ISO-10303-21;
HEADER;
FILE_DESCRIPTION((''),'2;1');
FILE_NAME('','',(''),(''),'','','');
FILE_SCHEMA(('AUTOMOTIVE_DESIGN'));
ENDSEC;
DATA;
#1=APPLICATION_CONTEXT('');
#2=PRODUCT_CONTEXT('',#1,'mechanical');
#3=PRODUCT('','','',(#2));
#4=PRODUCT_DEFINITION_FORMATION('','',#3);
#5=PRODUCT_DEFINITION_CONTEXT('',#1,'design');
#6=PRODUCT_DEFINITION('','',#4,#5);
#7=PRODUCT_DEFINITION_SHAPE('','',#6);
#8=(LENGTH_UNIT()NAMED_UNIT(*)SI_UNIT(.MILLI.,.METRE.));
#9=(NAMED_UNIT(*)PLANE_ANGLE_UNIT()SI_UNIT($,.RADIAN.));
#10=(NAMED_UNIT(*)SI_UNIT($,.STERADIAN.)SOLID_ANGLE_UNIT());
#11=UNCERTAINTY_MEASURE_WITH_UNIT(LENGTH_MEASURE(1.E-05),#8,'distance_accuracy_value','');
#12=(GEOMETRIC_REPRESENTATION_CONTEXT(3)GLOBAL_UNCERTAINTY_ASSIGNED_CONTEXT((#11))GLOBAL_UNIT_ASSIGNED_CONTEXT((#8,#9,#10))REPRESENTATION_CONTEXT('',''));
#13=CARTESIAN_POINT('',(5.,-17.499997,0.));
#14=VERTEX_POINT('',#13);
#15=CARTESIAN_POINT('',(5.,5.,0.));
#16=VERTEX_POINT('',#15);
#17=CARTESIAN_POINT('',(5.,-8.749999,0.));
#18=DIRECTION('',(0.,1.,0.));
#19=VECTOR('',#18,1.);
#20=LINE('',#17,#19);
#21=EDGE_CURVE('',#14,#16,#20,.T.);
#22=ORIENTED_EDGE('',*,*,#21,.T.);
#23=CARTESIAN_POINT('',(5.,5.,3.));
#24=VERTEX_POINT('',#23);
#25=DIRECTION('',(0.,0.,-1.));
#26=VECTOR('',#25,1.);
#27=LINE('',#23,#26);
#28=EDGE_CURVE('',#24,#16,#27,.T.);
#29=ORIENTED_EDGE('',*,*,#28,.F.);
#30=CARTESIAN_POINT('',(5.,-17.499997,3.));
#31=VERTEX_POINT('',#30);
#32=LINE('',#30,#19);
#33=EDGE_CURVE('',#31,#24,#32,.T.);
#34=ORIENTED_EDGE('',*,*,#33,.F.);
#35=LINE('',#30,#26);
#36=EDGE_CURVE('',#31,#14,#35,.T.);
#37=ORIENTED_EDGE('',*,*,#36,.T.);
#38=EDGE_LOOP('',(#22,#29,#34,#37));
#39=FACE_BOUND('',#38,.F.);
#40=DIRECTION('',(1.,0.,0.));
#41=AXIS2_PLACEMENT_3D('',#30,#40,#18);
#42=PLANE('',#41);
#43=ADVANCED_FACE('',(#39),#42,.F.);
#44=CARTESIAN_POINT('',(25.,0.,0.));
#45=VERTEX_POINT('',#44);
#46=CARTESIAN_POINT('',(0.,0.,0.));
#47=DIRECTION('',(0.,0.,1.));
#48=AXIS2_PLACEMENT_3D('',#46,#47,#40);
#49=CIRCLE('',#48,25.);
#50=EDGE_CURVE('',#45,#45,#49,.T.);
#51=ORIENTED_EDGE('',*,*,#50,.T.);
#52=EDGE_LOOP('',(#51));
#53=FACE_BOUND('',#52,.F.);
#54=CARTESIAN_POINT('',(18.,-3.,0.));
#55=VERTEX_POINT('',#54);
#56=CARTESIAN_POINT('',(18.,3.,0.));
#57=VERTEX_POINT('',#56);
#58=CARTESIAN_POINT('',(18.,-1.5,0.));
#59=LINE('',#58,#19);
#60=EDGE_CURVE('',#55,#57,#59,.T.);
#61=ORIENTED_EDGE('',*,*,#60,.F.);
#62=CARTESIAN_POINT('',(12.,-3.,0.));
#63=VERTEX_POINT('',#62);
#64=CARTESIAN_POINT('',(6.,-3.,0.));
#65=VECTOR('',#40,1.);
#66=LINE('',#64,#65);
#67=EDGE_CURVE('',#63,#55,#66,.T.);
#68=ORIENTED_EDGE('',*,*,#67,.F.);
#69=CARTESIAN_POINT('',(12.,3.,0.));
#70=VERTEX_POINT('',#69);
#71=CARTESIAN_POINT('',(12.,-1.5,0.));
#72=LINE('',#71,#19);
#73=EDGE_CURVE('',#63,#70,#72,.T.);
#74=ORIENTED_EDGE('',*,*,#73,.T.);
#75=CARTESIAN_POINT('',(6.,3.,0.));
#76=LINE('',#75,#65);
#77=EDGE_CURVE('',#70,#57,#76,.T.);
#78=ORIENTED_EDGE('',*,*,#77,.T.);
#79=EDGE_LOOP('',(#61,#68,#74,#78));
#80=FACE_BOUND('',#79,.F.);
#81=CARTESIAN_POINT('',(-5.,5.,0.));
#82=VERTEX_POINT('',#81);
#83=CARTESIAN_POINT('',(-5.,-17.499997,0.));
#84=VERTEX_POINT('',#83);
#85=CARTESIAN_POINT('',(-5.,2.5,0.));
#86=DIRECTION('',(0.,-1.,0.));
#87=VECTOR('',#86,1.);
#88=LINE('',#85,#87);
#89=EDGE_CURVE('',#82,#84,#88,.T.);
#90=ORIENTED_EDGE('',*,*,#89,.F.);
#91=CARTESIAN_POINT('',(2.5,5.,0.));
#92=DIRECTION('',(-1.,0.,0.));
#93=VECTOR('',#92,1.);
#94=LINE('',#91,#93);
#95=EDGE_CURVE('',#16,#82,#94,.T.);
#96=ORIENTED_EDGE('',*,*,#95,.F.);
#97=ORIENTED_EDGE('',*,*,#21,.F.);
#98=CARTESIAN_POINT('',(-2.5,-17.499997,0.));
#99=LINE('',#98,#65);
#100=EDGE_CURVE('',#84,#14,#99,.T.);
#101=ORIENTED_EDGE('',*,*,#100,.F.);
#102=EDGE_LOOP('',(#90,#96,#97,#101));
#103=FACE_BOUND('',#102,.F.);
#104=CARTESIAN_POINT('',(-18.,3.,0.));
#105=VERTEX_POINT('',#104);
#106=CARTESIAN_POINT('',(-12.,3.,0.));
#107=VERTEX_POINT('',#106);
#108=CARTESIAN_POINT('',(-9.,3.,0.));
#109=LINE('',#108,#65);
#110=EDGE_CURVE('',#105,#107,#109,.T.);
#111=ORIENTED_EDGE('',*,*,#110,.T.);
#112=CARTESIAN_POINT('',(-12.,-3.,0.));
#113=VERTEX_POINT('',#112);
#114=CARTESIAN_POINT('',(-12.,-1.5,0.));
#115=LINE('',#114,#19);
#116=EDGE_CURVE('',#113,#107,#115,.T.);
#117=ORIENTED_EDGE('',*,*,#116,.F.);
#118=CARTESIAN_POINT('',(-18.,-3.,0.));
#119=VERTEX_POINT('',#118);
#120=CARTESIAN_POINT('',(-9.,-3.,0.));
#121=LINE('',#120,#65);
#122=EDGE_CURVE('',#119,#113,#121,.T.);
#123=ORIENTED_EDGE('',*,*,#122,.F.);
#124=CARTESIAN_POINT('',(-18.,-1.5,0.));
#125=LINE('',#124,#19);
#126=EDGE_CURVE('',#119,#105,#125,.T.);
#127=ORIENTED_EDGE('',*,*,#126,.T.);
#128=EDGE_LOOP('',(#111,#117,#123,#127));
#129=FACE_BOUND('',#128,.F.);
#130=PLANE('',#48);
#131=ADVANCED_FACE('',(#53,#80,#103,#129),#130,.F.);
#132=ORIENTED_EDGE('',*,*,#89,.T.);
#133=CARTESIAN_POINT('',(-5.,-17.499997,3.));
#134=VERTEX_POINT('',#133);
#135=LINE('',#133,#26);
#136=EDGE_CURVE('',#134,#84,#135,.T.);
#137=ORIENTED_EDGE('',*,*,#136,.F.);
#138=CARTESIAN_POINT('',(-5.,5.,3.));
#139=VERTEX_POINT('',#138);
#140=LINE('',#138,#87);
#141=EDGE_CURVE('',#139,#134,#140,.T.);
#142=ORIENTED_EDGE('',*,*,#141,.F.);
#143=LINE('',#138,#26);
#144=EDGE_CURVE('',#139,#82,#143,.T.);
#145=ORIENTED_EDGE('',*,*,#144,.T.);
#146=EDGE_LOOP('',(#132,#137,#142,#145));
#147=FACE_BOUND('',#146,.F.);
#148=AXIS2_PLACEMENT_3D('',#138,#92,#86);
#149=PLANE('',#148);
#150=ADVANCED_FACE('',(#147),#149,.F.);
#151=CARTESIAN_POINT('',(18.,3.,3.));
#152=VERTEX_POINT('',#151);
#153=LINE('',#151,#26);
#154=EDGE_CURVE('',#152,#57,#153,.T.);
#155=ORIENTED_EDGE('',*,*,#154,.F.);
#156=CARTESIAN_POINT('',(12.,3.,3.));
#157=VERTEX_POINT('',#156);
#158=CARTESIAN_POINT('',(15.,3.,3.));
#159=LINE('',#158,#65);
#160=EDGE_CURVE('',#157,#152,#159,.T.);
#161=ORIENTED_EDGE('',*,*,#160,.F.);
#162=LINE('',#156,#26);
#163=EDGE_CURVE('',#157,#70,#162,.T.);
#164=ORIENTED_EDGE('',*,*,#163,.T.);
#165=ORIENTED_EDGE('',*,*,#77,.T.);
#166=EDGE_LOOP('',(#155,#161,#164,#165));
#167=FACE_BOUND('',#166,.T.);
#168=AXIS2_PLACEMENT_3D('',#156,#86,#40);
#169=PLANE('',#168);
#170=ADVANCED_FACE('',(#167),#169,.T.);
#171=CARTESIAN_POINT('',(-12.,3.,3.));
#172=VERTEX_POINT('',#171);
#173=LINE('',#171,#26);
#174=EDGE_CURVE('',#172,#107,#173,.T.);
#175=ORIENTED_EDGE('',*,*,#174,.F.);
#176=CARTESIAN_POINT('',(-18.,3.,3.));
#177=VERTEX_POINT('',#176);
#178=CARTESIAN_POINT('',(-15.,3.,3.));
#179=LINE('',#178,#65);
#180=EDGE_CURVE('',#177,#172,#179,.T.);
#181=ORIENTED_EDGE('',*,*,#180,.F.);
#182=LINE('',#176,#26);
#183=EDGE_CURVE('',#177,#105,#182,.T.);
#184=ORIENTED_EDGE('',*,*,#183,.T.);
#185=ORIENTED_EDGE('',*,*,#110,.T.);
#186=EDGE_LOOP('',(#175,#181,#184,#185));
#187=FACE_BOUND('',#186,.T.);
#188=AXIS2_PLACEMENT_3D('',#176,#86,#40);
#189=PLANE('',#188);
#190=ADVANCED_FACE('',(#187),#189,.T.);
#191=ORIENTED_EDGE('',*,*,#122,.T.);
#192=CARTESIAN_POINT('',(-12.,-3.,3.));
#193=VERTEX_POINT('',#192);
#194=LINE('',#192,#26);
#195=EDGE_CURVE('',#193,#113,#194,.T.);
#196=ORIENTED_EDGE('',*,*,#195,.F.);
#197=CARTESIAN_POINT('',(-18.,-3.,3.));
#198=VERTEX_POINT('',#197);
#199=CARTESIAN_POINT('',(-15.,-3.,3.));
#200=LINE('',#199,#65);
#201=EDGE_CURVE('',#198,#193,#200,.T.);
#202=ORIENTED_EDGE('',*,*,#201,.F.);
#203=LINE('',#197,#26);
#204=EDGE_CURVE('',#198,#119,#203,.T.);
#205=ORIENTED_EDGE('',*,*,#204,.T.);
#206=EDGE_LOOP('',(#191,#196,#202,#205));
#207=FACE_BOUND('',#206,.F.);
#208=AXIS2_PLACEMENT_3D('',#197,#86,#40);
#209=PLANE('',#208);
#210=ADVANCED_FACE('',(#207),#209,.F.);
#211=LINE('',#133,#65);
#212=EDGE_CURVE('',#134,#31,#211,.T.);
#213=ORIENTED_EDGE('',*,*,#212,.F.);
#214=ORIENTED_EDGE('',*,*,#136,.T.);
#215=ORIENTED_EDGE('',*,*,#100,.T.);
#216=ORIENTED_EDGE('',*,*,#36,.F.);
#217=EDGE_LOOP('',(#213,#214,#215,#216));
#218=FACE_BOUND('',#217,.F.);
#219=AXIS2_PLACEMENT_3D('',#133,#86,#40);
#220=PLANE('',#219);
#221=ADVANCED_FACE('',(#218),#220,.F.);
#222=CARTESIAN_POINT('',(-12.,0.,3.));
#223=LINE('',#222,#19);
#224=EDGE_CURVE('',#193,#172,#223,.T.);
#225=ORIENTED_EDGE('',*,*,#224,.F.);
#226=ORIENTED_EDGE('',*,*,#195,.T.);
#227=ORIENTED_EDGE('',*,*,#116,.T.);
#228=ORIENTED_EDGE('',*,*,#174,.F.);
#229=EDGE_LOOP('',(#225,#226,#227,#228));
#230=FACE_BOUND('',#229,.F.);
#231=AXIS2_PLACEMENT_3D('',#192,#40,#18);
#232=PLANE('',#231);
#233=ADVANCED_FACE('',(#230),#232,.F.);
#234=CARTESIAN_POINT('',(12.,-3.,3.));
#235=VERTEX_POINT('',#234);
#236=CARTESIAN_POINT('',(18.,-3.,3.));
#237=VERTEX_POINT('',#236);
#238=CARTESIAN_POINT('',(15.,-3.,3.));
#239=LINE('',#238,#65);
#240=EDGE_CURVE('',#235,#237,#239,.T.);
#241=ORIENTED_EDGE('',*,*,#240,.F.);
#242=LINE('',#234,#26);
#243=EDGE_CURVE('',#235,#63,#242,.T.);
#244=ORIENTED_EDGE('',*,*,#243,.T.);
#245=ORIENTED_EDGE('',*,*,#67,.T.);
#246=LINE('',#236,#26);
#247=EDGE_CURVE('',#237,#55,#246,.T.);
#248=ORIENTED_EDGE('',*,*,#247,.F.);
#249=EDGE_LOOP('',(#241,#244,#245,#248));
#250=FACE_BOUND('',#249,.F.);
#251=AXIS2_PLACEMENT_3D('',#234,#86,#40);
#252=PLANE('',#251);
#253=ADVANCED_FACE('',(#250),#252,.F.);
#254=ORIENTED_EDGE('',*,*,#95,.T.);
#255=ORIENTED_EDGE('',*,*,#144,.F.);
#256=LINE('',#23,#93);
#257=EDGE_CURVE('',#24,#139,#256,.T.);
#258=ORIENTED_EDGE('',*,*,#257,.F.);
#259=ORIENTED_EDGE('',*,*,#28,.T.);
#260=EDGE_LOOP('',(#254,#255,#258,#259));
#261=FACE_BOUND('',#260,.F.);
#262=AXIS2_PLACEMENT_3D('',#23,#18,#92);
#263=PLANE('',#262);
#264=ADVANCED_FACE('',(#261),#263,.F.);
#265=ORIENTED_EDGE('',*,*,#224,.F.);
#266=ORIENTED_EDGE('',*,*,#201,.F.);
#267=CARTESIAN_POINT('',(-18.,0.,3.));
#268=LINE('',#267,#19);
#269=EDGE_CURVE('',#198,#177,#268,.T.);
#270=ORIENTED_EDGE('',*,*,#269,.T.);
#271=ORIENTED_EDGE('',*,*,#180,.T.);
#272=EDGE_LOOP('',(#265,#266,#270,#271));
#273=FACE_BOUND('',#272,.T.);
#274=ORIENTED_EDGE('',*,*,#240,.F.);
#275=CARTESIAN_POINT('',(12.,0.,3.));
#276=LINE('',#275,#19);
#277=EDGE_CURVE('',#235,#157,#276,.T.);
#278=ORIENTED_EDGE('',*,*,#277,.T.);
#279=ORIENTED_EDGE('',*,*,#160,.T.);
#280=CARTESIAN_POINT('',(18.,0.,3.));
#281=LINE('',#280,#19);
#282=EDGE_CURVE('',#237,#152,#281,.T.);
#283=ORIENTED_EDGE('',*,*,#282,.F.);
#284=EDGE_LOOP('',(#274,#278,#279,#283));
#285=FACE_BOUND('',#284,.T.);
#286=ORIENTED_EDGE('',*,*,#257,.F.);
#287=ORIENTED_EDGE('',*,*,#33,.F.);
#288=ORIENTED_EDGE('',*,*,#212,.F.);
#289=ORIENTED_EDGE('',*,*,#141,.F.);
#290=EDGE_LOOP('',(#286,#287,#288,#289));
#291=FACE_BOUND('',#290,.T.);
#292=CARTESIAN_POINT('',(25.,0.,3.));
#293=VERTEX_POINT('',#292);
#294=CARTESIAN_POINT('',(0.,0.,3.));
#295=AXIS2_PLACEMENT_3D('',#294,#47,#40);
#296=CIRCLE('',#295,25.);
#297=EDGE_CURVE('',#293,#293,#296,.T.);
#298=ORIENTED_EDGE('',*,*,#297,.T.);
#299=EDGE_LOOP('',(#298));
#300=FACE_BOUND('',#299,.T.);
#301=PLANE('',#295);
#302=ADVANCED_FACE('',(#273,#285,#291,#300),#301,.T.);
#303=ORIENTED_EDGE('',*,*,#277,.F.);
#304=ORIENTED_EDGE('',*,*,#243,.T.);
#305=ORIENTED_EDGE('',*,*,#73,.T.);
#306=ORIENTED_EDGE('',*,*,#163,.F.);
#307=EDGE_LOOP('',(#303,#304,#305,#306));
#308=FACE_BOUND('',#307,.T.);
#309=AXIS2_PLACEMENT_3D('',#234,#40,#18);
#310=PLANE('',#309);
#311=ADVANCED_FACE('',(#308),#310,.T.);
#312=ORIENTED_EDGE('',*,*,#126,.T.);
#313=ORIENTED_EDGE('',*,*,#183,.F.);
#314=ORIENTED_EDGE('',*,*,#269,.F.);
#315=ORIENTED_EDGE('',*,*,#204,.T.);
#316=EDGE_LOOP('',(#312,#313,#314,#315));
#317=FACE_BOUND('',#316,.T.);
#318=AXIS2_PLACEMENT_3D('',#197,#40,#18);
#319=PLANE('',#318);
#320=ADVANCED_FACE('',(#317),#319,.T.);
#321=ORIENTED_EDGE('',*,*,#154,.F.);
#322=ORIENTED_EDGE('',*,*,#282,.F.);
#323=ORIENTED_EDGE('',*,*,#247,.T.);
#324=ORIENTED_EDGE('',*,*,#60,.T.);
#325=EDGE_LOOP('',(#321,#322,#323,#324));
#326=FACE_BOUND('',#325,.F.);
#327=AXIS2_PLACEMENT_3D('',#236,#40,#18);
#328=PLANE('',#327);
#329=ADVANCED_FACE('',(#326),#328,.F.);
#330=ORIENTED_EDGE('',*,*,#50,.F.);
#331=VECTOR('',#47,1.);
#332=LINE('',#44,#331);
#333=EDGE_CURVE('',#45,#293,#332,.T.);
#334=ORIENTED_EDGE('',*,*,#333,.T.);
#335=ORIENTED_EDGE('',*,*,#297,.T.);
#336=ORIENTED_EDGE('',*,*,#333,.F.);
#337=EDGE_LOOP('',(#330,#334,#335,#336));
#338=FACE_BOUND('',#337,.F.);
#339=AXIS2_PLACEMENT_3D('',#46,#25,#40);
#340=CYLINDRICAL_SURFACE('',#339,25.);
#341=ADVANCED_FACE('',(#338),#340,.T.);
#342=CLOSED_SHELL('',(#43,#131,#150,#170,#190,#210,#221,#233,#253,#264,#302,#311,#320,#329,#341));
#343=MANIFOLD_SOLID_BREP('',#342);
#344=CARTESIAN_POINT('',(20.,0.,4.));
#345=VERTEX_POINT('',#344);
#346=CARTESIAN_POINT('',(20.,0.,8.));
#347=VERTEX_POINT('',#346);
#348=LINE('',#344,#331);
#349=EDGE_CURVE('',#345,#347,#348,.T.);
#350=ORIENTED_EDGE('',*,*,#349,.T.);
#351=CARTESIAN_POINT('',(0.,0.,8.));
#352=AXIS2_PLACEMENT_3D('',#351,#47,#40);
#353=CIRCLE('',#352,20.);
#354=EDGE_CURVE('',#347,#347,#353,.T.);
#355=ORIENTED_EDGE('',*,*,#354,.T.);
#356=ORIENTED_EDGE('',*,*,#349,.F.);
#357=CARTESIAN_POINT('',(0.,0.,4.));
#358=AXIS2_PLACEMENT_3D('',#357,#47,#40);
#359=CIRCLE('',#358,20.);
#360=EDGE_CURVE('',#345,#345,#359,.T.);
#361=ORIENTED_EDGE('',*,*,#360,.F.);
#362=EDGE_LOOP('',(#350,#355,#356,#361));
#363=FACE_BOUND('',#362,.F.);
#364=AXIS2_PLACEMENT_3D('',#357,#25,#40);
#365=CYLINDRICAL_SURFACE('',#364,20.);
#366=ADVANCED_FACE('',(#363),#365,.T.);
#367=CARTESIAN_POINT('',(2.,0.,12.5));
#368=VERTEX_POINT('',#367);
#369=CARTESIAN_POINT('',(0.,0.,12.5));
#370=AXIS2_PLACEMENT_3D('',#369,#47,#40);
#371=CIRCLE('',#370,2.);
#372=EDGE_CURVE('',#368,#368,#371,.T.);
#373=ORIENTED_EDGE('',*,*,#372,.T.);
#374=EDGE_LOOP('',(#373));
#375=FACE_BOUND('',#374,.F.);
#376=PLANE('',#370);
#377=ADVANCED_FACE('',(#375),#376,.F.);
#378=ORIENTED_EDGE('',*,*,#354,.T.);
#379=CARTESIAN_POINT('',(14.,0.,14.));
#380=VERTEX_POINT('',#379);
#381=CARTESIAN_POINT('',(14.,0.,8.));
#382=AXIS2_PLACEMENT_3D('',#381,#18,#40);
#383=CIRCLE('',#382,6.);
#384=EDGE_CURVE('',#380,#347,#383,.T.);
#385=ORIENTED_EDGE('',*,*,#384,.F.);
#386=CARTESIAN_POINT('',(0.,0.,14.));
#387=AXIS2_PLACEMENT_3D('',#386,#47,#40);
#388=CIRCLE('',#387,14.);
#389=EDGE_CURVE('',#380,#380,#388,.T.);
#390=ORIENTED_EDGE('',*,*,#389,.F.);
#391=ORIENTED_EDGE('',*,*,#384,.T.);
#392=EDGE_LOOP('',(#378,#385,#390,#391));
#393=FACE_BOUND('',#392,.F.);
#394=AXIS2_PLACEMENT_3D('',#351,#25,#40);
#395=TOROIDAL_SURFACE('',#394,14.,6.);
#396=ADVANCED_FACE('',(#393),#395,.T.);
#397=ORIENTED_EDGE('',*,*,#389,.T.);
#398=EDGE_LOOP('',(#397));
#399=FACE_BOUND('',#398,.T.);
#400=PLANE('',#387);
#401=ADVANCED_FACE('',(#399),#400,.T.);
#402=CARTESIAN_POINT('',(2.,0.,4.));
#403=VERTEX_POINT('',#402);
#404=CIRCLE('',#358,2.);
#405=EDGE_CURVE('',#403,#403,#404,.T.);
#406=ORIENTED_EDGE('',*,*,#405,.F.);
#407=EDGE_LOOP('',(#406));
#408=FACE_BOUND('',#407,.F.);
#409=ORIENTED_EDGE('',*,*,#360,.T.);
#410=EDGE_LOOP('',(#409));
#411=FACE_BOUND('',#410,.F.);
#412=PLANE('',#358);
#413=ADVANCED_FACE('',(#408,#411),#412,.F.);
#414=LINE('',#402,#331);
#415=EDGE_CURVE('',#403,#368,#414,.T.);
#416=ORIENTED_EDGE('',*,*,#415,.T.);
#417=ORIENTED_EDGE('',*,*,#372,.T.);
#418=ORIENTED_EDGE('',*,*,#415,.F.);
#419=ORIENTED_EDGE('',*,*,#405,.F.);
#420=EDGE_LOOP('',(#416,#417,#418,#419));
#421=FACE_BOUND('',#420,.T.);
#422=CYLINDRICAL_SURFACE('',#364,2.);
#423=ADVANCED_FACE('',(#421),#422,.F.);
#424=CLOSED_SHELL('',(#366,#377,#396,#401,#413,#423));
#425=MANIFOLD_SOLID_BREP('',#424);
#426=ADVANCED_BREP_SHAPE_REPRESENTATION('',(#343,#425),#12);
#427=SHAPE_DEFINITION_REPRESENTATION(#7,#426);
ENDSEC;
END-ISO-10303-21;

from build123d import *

# Parameters (mm, degrees)
F0_R      = 25
F1_DEPTH  = 3
F3_DEPTH  = 25
F5_R      = 20
F5_R_2    = 2
F6_DEPTH  = 10
F7_R      = 2
F8_DEPTH  = 1.5
F9_R      = 6
F10_W     = 6
F10_H     = 6
F11_DEPTH = 25


with BuildPart() as f1:
    # F0 (on Top) → F1 (new body)
    with BuildSketch(Plane.XY):
        Circle(F0_R)
    extrude(amount=F1_DEPTH)

    # F2 (on face) → F3 (cut)
    with BuildSketch(Plane.XY.offset(3)):
        Polygon((-5, 0), (-5, -17.499997), (5, -17.499997), (5, 0), (5, 5), (-5, 5), align=None)
    extrude(amount=-F3_DEPTH, mode=Mode.SUBTRACT)

    # F10 (on face) → F11 (cut)
    with BuildSketch(Plane.XY.offset(3)):
        with Locations((-15, 0)):
            Rectangle(F10_W, F10_H)
        with Locations((15, 0)):
            Rectangle(F10_W, F10_H)
    extrude(amount=-F11_DEPTH, mode=Mode.SUBTRACT)


with BuildPart() as f6:
    # F5 (on offset) → F6 (new body)
    with BuildSketch(Plane.XY.offset(4)):
        Circle(F5_R)
        Circle(F5_R_2, mode=Mode.SUBTRACT)
    extrude(amount=F6_DEPTH)

    # F7 (on face) → F8 (join)
    with BuildSketch(Plane.XY.offset(14)):
        Circle(F7_R)
    extrude(amount=-F8_DEPTH)

    # F9
    f9_edges = [f6.edges().sort_by_distance(p)[0] for p in [
        (-20, 0, 14),
    ]]
    fillet(f9_edges, radius=F9_R)


solid = Compound([f1.part, f6.part])
